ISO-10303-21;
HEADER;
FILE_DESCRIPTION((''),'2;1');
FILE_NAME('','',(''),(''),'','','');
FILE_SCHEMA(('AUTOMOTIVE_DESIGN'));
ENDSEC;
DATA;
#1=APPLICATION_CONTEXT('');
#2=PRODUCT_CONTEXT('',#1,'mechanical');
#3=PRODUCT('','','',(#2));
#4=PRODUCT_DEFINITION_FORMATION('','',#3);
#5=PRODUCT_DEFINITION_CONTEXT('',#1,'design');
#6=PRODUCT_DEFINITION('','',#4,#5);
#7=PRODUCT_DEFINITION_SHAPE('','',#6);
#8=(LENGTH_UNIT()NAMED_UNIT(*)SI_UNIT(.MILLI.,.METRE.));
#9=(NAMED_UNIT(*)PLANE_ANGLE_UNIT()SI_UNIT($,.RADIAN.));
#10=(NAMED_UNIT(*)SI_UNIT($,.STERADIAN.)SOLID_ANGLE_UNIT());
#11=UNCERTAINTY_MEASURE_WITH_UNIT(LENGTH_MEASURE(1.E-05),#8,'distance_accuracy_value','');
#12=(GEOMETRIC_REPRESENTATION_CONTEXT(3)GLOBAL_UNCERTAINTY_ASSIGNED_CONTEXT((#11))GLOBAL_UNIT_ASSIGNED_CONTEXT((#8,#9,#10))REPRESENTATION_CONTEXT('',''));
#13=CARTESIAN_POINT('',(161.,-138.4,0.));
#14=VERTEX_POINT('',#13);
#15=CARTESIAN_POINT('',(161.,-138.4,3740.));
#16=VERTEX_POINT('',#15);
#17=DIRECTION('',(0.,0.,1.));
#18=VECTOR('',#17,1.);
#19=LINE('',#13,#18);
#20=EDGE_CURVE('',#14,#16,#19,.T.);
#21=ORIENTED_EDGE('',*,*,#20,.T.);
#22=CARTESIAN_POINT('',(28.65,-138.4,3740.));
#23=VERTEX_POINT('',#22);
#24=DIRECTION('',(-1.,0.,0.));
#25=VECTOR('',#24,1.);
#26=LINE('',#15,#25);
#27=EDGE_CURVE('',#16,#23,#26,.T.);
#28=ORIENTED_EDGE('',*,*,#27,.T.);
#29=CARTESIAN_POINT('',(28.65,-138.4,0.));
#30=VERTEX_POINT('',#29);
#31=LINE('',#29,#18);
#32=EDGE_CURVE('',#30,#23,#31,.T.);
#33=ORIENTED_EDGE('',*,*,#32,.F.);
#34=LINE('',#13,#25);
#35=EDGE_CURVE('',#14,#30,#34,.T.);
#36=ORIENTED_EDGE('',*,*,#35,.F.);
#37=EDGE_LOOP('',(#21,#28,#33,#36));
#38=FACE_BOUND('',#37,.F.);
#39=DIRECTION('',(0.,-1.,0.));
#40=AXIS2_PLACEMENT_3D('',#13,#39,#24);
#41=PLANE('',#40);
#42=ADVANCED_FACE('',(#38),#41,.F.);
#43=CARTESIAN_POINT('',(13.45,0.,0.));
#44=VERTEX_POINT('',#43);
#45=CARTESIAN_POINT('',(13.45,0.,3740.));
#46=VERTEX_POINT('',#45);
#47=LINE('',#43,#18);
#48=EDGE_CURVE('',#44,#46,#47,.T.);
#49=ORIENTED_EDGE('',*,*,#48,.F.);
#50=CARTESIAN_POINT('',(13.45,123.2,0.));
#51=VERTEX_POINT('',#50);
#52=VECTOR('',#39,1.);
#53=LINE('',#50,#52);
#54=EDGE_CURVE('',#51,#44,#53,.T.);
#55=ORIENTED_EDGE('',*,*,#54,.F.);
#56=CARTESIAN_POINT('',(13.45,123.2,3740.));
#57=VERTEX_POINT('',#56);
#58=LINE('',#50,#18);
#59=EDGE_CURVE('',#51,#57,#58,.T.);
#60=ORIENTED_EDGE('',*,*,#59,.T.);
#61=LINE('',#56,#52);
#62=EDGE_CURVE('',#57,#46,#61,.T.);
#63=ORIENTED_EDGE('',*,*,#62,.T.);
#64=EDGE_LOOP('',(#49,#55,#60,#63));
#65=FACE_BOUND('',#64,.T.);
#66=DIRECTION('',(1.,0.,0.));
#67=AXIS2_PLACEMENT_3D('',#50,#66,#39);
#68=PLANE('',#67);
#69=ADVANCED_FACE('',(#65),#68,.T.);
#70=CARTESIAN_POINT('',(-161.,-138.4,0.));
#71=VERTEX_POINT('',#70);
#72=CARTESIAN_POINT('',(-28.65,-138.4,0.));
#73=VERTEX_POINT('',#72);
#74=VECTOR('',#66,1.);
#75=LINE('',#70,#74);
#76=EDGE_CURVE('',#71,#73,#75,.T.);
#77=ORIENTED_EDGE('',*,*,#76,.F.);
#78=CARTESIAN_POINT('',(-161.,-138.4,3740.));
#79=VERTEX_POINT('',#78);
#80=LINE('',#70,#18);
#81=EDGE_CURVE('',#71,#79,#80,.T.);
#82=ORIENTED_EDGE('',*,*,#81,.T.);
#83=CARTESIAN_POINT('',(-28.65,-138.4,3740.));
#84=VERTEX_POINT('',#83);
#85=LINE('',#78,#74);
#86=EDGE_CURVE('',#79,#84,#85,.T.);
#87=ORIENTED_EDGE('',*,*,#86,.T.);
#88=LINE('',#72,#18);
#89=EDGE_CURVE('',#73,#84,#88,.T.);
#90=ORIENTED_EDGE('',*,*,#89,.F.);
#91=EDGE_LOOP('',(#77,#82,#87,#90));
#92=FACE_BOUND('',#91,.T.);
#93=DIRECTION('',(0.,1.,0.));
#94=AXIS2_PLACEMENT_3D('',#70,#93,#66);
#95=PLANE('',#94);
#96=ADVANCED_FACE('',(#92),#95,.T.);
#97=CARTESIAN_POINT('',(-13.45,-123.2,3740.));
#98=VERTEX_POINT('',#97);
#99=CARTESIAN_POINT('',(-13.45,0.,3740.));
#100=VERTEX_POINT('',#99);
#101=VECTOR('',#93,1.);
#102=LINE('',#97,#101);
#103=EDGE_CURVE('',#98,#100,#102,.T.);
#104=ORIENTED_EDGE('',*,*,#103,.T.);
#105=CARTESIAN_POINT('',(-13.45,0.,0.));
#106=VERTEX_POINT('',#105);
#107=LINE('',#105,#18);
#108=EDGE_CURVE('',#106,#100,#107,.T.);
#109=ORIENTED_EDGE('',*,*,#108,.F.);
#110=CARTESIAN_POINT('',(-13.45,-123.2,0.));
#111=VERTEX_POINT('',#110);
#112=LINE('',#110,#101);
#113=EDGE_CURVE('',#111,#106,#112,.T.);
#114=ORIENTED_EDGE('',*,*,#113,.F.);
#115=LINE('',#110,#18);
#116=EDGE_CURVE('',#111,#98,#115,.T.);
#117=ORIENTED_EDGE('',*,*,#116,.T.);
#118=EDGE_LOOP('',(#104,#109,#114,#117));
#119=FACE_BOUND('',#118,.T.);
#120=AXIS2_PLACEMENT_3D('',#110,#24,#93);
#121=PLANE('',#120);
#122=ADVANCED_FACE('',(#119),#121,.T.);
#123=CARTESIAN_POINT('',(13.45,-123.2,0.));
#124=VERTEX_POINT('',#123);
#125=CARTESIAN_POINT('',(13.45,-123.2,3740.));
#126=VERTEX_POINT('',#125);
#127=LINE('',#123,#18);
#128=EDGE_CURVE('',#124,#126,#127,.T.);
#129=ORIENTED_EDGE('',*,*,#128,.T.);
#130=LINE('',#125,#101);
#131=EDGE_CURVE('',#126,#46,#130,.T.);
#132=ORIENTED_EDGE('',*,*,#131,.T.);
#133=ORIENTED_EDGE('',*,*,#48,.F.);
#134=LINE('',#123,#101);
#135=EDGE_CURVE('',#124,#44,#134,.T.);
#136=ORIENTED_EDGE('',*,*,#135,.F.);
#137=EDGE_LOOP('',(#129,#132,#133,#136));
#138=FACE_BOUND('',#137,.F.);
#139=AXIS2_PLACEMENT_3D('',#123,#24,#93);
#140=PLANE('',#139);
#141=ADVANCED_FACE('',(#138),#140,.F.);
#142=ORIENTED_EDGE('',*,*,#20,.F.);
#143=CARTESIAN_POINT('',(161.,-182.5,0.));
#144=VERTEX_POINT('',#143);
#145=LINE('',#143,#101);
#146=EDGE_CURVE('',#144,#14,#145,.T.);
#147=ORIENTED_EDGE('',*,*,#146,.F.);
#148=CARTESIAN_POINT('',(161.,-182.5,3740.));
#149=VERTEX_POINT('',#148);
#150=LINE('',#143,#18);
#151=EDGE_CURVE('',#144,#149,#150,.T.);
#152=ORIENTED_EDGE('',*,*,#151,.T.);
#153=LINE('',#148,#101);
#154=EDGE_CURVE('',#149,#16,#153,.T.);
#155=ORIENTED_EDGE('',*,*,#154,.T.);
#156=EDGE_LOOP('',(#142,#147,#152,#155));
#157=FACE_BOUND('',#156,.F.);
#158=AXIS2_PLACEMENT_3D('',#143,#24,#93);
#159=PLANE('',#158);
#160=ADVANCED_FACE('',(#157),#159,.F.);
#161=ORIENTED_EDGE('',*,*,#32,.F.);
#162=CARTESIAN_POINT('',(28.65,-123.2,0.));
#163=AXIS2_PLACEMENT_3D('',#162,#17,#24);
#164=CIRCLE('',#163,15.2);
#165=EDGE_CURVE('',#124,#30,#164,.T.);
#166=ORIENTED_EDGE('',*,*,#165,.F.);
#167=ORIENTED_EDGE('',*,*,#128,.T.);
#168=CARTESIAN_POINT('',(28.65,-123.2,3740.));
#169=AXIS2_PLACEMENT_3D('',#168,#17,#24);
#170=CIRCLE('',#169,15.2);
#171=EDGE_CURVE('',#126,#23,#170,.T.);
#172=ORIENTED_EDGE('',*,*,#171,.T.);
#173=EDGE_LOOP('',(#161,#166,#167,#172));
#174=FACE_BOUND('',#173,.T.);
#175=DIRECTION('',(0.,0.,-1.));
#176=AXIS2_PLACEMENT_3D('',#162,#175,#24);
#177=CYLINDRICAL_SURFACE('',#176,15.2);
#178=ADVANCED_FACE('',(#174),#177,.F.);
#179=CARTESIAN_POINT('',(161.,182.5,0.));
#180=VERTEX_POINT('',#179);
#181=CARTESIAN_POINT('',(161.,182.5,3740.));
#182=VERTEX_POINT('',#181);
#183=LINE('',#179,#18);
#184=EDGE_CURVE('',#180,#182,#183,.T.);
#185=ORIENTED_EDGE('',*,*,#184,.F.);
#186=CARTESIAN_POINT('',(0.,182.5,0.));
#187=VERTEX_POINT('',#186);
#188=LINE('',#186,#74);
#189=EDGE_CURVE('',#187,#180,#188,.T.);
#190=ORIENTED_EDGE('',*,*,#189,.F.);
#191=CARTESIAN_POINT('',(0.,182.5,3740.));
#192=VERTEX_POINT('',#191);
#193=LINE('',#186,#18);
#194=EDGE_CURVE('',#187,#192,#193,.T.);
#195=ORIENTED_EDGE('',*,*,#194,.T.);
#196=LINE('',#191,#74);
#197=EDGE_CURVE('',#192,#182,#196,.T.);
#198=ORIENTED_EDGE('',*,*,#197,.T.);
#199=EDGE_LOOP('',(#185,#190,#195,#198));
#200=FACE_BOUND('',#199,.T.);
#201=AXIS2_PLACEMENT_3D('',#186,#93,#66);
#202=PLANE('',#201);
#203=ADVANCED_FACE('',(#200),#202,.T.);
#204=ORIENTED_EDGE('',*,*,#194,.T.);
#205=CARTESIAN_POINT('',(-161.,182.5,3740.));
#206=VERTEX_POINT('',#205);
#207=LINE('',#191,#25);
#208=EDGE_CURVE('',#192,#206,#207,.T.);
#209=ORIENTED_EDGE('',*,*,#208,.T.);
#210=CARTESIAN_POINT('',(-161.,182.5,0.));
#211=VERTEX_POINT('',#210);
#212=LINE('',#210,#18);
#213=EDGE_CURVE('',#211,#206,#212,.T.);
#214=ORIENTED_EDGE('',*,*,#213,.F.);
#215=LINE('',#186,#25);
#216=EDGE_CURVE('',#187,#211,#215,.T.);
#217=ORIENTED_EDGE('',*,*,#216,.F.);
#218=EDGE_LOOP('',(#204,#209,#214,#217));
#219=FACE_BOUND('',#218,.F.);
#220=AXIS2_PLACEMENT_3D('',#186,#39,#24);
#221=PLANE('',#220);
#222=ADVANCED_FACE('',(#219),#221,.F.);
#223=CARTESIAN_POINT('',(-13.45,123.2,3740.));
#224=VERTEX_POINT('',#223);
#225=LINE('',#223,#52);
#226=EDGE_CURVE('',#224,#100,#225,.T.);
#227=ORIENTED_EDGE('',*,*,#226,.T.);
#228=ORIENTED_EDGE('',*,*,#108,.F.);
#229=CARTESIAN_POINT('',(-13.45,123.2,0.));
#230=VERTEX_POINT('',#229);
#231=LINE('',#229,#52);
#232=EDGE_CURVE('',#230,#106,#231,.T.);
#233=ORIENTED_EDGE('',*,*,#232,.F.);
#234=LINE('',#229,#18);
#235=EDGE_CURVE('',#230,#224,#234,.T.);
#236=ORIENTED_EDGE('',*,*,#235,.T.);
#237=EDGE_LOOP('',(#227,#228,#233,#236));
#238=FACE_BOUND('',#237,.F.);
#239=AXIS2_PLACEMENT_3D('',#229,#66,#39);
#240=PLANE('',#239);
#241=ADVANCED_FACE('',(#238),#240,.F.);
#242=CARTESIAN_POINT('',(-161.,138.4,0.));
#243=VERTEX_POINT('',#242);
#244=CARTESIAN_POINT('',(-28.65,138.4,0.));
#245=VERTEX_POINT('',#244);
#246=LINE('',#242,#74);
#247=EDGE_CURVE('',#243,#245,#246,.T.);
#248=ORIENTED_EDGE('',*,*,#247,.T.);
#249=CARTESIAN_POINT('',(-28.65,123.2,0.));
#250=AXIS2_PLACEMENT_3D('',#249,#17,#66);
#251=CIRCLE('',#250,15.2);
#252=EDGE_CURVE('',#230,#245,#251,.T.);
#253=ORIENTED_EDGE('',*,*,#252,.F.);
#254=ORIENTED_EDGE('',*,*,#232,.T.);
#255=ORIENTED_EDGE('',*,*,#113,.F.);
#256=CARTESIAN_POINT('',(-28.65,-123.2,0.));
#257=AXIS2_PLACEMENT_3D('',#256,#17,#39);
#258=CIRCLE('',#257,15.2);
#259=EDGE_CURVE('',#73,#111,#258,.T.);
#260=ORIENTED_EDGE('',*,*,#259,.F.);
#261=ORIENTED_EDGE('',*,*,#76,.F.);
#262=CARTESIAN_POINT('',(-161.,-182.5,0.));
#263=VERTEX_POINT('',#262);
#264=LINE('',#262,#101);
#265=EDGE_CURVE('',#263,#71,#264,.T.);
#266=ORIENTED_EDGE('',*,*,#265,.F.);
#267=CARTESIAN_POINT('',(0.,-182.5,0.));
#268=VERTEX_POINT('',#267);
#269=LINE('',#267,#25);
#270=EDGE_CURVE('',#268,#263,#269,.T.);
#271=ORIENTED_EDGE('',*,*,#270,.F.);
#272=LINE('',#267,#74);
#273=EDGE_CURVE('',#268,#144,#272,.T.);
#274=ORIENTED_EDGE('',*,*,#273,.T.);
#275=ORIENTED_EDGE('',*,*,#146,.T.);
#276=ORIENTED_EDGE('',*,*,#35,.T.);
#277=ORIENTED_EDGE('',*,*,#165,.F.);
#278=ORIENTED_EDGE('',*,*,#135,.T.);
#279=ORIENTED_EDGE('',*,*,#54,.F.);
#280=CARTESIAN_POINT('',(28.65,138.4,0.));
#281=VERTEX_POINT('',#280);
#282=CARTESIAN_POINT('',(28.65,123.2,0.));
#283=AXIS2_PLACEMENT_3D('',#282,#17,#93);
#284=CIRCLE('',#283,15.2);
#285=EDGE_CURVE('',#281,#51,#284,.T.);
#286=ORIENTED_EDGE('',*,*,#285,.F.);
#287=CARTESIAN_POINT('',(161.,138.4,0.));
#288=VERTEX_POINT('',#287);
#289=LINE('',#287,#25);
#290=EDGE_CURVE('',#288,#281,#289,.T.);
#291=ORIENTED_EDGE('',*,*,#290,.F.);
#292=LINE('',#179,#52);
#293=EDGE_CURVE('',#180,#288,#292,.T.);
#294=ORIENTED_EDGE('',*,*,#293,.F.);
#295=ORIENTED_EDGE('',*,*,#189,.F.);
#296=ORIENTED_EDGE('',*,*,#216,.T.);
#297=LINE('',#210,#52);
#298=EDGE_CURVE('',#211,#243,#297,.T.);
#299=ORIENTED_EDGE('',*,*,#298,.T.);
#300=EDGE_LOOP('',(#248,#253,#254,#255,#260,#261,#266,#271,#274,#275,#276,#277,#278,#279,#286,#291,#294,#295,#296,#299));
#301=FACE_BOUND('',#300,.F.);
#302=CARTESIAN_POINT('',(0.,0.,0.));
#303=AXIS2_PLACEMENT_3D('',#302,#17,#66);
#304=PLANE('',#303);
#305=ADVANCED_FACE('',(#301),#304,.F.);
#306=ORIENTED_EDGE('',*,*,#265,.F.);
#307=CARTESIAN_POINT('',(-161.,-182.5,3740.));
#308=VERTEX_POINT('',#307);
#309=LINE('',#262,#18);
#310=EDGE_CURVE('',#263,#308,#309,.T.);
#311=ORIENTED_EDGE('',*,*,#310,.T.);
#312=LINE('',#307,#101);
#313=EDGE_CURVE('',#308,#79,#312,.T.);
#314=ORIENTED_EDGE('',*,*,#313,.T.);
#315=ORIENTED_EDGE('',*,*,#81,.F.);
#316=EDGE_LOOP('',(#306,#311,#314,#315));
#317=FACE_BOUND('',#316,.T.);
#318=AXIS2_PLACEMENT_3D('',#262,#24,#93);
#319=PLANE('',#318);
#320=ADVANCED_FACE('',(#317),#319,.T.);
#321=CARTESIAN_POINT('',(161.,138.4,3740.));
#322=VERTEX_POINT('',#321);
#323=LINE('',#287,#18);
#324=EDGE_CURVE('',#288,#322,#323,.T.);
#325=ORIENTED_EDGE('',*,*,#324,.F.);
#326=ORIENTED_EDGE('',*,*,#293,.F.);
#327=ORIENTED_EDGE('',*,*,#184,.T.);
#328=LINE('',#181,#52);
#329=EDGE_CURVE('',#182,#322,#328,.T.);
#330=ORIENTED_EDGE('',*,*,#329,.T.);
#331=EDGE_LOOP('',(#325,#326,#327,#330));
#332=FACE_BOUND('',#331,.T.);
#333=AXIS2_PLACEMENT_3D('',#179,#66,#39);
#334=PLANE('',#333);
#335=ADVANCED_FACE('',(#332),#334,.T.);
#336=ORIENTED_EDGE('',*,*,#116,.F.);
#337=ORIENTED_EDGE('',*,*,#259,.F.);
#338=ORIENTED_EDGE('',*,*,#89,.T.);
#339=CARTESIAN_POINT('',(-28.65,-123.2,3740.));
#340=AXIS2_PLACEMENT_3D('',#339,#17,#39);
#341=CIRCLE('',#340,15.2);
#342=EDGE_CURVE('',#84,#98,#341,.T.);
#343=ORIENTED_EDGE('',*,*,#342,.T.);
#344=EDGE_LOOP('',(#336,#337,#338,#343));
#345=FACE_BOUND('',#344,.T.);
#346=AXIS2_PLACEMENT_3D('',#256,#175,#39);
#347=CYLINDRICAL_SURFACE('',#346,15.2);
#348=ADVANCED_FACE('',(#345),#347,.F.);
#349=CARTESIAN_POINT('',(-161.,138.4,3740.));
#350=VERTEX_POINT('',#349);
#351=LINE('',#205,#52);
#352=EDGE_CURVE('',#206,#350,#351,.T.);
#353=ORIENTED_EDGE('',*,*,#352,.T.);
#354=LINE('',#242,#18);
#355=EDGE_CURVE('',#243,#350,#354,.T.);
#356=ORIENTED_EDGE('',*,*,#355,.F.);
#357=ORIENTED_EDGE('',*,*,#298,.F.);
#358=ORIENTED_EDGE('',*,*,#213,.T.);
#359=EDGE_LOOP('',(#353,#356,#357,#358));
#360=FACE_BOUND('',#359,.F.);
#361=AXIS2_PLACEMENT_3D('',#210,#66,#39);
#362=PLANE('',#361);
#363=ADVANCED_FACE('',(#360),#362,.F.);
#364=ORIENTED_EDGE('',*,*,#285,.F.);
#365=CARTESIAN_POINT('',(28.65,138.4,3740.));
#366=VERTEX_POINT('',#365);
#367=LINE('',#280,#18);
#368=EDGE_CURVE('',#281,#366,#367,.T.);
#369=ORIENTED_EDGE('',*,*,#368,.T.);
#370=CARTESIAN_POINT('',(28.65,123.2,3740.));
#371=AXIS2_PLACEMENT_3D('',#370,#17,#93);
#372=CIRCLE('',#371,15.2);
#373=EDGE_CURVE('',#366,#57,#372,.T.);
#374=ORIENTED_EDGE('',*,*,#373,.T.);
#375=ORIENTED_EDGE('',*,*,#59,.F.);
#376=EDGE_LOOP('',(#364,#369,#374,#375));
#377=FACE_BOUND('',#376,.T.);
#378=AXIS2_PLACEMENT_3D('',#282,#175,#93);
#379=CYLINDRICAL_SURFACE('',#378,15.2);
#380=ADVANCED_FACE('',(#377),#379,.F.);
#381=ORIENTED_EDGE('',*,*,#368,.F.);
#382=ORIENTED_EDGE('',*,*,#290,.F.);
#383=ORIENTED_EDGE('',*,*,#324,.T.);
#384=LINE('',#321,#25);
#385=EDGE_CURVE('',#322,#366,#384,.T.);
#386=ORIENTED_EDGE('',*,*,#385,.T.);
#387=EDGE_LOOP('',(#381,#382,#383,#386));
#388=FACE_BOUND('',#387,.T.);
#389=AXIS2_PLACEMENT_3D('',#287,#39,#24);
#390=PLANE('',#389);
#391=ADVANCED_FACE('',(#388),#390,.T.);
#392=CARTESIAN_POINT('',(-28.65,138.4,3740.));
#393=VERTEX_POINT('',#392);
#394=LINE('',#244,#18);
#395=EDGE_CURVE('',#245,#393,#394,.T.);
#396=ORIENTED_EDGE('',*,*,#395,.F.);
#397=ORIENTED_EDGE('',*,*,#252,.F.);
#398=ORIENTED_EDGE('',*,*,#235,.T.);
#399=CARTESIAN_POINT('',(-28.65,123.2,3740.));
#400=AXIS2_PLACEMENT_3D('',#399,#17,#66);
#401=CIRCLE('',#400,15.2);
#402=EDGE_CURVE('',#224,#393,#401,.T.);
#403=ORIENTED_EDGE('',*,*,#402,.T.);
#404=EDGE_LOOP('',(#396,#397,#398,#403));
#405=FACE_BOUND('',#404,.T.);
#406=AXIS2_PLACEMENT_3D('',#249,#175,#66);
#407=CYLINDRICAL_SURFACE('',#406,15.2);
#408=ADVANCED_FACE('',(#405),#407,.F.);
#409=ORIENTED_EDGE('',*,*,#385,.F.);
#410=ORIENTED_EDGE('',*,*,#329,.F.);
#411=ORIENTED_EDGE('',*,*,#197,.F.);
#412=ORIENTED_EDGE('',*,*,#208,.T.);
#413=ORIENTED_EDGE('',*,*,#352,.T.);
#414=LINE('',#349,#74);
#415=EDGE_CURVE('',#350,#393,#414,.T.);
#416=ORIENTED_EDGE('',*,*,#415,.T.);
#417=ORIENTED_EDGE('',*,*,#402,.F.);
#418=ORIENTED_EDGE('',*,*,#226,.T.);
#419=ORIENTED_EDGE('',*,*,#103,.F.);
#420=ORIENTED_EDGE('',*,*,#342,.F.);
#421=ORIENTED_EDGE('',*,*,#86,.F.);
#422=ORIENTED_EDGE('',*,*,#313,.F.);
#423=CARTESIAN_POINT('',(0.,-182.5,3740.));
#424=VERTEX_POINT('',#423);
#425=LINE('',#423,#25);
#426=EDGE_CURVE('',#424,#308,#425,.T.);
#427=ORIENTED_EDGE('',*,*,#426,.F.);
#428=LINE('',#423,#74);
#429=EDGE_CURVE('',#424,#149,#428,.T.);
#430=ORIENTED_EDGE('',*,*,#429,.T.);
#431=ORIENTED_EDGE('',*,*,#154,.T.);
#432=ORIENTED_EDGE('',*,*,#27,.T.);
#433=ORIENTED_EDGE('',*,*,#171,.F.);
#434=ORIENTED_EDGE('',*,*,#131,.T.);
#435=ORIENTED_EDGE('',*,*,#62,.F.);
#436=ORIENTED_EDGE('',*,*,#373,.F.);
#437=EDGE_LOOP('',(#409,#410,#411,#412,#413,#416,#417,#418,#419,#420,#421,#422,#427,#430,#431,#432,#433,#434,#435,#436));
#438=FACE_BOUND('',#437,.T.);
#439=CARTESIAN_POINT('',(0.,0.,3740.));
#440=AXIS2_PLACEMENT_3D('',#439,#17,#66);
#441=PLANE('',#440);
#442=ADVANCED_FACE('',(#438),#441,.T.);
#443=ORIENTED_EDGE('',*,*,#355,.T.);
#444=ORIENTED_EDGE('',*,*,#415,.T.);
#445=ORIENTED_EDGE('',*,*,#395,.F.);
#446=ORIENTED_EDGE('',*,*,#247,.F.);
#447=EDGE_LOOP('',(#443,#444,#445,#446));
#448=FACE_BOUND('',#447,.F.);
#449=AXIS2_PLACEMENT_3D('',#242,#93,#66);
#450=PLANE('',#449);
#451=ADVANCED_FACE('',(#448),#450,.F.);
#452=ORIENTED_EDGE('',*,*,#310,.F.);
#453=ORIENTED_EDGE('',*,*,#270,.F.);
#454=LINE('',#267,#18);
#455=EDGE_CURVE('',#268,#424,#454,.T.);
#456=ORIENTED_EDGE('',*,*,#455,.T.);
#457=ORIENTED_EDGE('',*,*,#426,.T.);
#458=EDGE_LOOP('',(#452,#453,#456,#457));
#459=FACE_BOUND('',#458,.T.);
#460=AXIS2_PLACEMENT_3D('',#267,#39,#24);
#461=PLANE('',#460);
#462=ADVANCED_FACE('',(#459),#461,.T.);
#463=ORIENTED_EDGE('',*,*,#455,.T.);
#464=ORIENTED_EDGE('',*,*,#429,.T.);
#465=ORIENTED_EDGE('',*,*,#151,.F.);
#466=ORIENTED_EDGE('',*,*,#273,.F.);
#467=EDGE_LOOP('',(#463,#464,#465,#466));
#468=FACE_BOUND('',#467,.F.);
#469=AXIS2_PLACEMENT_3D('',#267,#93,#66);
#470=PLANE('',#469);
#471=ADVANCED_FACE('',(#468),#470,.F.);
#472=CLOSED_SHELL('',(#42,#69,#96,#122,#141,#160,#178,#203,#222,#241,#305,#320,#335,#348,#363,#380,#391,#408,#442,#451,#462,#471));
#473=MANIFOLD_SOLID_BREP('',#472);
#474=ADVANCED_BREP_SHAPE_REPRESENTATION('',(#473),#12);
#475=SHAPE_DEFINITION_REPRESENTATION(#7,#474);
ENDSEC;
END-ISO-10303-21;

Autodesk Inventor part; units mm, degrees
ref_plane "YZ Plane" through (0, 0, 0) normal (1, 0, 0) x (0, 1, 0)
ref_plane "Start plane" through (0, 0, 0) normal (0, 0, 1) x (1, 0, 0)
ref_plane "End plane" through (0, 0, 3740) normal (0, 0, 1) x (1, 0, 0)
sketch "Sketch" plane through (0, 0, 0) normal (0, 0, 1) x (1, 0, 0)
  line L0 (-161, -182.5) -> (-161, -138.4)
  line L1 (-161, -138.4) -> (-28.65, -138.4)
  line L2 (-13.45, -123.2) -> (-13.45, 0)
  line L3 (-13.45, 0) -> (0, 0) construction
  line L4 (0, 0) -> (0, -182.5) construction
  line L5 (0, -182.5) -> (-161, -182.5)
  line L6 (-60, 0) -> (80, 0) construction
  line L7 (0, -60) -> (0, 80) construction
  line L8 (161, -182.5) -> (161, -138.4)
  line L9 (161, -138.4) -> (28.65, -138.4)
  line L10 (13.45, -123.2) -> (13.45, 0)
  line L11 (13.45, 0) -> (0, 0) construction
  line L12 (0, -182.5) -> (161, -182.5)
  line L13 (-161, 182.5) -> (-161, 138.4)
  line L14 (-161, 138.4) -> (-28.65, 138.4)
  line L15 (-13.45, 123.2) -> (-13.45, 0)
  line L16 (0, 182.5) -> (-161, 182.5)
  line L17 (161, 182.5) -> (161, 138.4)
  line L18 (161, 138.4) -> (28.65, 138.4)
  line L19 (0, 182.5) -> (161, 182.5)
  line L20 (13.45, 123.2) -> (13.45, 0)
  arc A0 (-13.45, 123.2) -> (-28.65, 138.4) centre (-28.65, 123.2) ccw
  arc A1 (28.65, 138.4) -> (13.45, 123.2) centre (28.65, 123.2) ccw
  arc A2 (13.45, -123.2) -> (28.65, -138.4) centre (28.65, -123.2) ccw
  arc A3 (-28.65, -138.4) -> (-13.45, -123.2) centre (-28.65, -123.2) ccw
  line L21 (0, 108) -> (0, -88) construction
  line L22 (-88, 0) -> (108, 0) construction
  point P0 (-13.45, -138.4)
  point P1 (13.45, -138.4)
  point P2 (-13.45, 138.4)
  point P3 (13.45, 138.4)
  dimension "d1" = 182.5
  dimension "d2" = 44.1
  dimension "d3" = 161
  dimension "d4" = 13.45
  dimension "d10" = 15.2
extrude "Body" add sketch "Sketch" along normal up to surface (3740 mm away) from surface at 0
sketch "Sketch4" plane through (0, 0, 0) normal (0, 0, 1) x (1, 0, 0)
  line L0 (0, 0) -> (10, 0)
ref_plane "Work Plane3" through (0, 0, 0) normal (0, -1, 0) x (1, 0, 0)
sketch "Sketch5" plane through (0, 0, 0) normal (0, -1, 0) x (1, 0, 0)
  line L0 (-2, 0) -> (12, 0) projected
  line L1 (-2, 3740) -> (12, 3740) projected
  dimension "d14" = 3740
equation "\"d1\" = 0.5 * G_H"
equation "\"d2\" = G_T1"
equation "\"d3\" = 0.5 * G_W"
equation "\"d4\" = 0.5 * G_T"
equation "\"d10\" = G_IR"
equation "\"d5\" = G_L"
equation "\"G_W\" = 322"
equation "\"G_H\" = 365"
equation "\"G_T\" = 26.9"
equation "\"G_T1\" = 44.1"
equation "\"G_IR\" = 15.2"
equation "\"G_L\" = d14"
equation "\"G_OFFSET_START\" = 0"
equation "\"G_OFFSET_END\" = 0"
properties part number "AS 3679 - 310 UC - 283 - 3740" material "Steel, Mild"
